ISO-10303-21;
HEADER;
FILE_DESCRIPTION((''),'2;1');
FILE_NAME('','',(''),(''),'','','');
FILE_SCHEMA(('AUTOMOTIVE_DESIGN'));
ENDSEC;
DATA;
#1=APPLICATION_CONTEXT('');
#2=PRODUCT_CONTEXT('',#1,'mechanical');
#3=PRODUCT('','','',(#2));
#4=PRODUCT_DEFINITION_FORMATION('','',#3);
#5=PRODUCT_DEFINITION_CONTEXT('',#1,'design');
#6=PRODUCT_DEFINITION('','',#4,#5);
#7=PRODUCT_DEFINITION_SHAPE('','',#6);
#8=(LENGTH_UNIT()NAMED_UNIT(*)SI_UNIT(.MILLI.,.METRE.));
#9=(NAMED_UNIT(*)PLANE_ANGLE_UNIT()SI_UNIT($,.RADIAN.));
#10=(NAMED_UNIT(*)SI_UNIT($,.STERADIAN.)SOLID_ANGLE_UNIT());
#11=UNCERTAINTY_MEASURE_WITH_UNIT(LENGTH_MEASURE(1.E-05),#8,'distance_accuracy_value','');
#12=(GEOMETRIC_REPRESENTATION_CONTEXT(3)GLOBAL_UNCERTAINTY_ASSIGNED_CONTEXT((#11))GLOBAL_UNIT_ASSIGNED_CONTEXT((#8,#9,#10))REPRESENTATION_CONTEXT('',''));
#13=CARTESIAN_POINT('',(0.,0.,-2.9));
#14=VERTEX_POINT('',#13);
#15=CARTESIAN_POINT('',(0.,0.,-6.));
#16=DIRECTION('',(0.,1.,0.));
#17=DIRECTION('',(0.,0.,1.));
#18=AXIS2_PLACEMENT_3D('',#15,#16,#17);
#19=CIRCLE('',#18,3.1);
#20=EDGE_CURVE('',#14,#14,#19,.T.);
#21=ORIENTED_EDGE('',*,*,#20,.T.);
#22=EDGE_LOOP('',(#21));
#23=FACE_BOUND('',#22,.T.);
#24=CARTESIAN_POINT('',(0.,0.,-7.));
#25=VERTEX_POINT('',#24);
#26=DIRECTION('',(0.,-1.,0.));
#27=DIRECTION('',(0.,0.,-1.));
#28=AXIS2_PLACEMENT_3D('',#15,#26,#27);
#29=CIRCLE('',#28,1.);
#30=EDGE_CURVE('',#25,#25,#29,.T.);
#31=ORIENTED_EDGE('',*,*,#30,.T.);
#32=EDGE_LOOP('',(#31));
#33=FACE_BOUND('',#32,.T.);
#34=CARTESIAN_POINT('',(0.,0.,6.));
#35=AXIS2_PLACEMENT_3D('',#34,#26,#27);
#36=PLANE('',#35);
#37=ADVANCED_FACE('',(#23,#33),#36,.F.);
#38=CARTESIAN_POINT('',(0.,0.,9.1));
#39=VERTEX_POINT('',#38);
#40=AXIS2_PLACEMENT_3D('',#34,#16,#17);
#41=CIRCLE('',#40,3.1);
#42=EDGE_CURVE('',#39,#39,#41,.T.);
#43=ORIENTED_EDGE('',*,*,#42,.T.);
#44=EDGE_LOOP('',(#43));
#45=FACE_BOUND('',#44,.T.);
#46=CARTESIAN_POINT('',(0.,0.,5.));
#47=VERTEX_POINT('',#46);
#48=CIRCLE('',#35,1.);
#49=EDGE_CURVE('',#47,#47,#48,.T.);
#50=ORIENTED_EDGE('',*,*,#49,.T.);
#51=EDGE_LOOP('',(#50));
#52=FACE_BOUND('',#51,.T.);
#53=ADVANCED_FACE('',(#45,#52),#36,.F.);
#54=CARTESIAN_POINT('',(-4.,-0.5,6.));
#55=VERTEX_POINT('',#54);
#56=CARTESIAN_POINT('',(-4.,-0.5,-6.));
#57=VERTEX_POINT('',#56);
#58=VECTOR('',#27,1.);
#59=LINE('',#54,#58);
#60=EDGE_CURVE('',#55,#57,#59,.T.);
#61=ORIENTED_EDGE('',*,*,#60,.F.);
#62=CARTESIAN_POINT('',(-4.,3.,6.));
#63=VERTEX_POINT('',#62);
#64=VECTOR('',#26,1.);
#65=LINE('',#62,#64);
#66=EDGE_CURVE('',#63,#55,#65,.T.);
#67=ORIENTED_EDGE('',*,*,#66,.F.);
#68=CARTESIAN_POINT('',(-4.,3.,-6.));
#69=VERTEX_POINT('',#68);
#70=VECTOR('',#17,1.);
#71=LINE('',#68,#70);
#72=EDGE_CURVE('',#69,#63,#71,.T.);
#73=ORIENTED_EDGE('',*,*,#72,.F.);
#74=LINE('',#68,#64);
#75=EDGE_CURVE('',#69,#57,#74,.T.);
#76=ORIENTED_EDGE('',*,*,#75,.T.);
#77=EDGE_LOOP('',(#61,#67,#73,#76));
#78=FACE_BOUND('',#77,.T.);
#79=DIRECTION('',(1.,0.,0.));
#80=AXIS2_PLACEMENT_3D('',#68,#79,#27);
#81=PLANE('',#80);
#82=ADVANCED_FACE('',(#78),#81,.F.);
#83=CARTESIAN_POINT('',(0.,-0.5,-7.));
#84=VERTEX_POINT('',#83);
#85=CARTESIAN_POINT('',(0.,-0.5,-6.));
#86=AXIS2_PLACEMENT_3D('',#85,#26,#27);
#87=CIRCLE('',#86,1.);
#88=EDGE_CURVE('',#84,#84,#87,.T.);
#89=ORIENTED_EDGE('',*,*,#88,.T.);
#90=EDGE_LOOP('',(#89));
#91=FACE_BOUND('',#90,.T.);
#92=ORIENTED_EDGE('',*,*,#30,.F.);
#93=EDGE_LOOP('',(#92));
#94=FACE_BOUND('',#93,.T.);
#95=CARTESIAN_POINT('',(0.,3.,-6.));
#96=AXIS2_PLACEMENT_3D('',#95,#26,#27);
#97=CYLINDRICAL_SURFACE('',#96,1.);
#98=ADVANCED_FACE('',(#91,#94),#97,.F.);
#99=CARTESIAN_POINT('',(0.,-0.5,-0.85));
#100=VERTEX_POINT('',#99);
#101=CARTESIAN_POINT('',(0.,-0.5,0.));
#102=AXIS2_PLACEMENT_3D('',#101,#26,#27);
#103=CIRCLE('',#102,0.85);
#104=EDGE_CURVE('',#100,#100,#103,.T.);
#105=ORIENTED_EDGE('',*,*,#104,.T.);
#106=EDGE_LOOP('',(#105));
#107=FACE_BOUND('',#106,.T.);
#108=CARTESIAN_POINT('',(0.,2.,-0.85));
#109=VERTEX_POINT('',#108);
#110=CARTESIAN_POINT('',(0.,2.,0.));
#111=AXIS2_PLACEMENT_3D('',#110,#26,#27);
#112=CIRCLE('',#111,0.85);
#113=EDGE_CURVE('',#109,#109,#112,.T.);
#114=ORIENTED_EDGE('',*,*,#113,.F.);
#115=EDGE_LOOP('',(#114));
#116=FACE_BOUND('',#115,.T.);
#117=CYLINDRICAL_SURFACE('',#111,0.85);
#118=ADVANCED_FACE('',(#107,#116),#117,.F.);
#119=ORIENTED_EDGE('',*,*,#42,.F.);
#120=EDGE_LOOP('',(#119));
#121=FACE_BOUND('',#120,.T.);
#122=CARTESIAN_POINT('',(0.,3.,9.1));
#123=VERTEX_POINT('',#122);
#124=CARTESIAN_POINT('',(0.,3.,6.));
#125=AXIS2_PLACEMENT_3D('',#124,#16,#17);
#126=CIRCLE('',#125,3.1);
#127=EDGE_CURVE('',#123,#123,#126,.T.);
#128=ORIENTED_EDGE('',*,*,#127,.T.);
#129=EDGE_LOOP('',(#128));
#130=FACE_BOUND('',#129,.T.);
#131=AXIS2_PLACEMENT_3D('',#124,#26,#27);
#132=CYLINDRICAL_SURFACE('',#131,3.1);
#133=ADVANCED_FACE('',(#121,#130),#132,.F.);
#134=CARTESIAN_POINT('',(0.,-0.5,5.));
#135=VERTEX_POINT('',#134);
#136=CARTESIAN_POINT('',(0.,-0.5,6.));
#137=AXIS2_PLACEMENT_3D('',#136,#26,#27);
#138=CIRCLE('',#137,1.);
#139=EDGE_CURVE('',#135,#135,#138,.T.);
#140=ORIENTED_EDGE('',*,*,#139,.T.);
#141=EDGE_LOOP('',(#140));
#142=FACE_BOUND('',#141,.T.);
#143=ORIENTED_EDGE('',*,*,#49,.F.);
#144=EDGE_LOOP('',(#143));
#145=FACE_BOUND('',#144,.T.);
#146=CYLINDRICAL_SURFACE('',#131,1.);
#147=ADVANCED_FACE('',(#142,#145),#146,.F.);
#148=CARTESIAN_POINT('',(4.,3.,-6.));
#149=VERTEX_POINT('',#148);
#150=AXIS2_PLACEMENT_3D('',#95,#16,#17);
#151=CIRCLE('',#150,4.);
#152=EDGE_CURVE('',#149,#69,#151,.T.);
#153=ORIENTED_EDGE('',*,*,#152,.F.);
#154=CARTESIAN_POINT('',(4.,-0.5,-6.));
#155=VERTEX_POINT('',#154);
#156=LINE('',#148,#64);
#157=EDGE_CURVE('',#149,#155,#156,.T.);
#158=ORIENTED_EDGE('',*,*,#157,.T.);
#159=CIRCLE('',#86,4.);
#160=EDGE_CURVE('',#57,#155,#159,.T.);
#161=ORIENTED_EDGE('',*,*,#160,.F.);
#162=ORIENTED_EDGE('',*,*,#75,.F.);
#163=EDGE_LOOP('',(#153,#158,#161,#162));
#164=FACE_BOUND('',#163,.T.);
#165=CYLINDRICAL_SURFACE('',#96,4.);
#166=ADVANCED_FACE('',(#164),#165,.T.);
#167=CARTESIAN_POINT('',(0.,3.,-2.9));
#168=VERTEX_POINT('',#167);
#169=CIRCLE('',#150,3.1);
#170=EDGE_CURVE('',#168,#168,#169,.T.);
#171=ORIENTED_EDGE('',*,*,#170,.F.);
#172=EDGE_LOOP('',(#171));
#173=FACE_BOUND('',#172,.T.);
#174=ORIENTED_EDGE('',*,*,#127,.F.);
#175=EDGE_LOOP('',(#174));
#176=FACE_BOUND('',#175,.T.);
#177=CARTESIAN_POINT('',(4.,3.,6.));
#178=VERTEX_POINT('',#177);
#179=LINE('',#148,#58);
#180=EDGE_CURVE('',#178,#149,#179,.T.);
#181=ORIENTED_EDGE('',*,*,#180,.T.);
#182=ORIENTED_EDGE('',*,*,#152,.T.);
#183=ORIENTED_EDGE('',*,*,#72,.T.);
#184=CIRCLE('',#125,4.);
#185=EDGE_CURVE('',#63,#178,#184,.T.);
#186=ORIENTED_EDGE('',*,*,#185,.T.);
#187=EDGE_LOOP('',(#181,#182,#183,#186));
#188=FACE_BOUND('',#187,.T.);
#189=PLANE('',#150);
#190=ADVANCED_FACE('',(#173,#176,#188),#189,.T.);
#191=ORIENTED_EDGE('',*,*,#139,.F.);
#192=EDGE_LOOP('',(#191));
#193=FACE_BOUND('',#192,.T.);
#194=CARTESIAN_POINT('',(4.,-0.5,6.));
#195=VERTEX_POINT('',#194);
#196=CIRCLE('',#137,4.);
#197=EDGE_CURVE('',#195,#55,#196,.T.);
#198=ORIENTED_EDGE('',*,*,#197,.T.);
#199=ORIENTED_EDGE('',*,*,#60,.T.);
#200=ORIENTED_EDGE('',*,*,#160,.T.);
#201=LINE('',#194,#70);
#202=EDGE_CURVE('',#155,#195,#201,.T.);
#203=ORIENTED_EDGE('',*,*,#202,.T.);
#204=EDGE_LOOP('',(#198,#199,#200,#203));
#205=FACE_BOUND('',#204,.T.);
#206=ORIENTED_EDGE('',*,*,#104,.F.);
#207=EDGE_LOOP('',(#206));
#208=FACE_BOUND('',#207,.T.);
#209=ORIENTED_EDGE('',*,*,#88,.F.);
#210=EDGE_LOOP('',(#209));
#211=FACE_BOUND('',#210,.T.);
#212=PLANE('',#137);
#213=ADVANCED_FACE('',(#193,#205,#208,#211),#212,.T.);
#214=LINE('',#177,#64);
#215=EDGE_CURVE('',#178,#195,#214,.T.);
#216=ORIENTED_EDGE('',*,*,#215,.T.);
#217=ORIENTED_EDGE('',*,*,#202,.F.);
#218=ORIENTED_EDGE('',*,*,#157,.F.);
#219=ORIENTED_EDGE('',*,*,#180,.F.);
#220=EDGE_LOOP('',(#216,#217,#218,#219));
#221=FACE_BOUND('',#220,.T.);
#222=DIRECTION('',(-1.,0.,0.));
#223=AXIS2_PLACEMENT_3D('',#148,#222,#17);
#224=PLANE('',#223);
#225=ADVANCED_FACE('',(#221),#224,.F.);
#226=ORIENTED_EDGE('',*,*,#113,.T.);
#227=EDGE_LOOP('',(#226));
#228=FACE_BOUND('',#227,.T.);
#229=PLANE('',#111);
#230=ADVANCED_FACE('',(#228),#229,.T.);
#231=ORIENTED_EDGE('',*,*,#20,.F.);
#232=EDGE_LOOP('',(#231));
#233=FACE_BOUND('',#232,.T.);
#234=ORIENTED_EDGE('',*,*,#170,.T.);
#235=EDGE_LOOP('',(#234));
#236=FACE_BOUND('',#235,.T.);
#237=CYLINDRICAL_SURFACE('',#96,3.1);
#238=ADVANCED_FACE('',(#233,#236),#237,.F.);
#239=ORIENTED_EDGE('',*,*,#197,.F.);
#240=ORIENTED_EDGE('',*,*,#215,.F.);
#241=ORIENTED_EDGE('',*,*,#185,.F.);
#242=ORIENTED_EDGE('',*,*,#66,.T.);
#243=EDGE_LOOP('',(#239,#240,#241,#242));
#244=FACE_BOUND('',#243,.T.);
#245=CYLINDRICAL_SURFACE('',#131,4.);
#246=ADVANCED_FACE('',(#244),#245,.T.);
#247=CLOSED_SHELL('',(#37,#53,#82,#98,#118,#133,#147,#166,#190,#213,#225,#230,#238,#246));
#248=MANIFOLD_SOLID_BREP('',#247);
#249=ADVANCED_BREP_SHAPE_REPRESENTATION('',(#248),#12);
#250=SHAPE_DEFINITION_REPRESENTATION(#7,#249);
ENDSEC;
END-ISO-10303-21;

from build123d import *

# Parameters (mm, degrees)
SKETCH1_R           = 3.1
BOSS_EXTRUDE1_DEPTH = 3
BOSS_EXTRUDE2_START = 0.5
BOSS_EXTRUDE2_DEPTH = 0.5
SKETCH3_R           = 0.85
CUT_EXTRUDE1_DEPTH  = 2.5
SKETCH4_R           = 1
CUT_EXTRUDE2_DEPTH  = 12.324751653


with BuildPart() as part:
    # Sketch1 → Boss-Extrude1 (new body)
    with BuildSketch(Plane(origin=(0, 0, 0), x_dir=(1, 0, 0), z_dir=(0, 1, 0))):
        with BuildLine():
            Line((4, 6), (4, -6))
            ThreePointArc((4, -6), (0, -10), (-4, -6))
            Line((-4, -6), (-4, 6))
            ThreePointArc((-4, 6), (0, 10), (4, 6))
        make_face()
        with Locations(Location((0, 6, 0), (0, 0, 270))):
            Circle(SKETCH1_R, mode=Mode.SUBTRACT)
        with Locations(Location((0, -6, 0), (0, 0, 270))):
            Circle(SKETCH1_R, mode=Mode.SUBTRACT)
    extrude(amount=BOSS_EXTRUDE1_DEPTH)

    # Sketch2 → Boss-Extrude2 (add)
    with BuildSketch(Plane.XZ.offset(BOSS_EXTRUDE2_START)):
        with BuildLine():
            Line((4, 6), (4, -6))
            ThreePointArc((4, -6), (0, -10), (-4, -6))
            Line((-4, -6), (-4, 6))
            ThreePointArc((-4, 6), (0, 10), (4, 6))
        make_face()
    extrude(amount=-BOSS_EXTRUDE2_DEPTH)

    # Sketch3 → Cut-Extrude1 (cut)
    with BuildSketch(Plane.XZ.offset(0.5)):
        with Locations(Location((0, 0, 0), (0, 0, 270))):
            Circle(SKETCH3_R)
    extrude(amount=-CUT_EXTRUDE1_DEPTH, mode=Mode.SUBTRACT)

    # Sketch4 → Cut-Extrude2 (cut, through all)
    with BuildSketch(Plane.XZ.offset(0.5)):
        with Locations(Location((0, 6, 0), (0, 0, 270))):
            Circle(SKETCH4_R)
        with Locations(Location((0, -6, 0), (0, 0, 270))):
            Circle(SKETCH4_R)
    extrude(amount=-CUT_EXTRUDE2_DEPTH, mode=Mode.SUBTRACT)


solid = part.part
